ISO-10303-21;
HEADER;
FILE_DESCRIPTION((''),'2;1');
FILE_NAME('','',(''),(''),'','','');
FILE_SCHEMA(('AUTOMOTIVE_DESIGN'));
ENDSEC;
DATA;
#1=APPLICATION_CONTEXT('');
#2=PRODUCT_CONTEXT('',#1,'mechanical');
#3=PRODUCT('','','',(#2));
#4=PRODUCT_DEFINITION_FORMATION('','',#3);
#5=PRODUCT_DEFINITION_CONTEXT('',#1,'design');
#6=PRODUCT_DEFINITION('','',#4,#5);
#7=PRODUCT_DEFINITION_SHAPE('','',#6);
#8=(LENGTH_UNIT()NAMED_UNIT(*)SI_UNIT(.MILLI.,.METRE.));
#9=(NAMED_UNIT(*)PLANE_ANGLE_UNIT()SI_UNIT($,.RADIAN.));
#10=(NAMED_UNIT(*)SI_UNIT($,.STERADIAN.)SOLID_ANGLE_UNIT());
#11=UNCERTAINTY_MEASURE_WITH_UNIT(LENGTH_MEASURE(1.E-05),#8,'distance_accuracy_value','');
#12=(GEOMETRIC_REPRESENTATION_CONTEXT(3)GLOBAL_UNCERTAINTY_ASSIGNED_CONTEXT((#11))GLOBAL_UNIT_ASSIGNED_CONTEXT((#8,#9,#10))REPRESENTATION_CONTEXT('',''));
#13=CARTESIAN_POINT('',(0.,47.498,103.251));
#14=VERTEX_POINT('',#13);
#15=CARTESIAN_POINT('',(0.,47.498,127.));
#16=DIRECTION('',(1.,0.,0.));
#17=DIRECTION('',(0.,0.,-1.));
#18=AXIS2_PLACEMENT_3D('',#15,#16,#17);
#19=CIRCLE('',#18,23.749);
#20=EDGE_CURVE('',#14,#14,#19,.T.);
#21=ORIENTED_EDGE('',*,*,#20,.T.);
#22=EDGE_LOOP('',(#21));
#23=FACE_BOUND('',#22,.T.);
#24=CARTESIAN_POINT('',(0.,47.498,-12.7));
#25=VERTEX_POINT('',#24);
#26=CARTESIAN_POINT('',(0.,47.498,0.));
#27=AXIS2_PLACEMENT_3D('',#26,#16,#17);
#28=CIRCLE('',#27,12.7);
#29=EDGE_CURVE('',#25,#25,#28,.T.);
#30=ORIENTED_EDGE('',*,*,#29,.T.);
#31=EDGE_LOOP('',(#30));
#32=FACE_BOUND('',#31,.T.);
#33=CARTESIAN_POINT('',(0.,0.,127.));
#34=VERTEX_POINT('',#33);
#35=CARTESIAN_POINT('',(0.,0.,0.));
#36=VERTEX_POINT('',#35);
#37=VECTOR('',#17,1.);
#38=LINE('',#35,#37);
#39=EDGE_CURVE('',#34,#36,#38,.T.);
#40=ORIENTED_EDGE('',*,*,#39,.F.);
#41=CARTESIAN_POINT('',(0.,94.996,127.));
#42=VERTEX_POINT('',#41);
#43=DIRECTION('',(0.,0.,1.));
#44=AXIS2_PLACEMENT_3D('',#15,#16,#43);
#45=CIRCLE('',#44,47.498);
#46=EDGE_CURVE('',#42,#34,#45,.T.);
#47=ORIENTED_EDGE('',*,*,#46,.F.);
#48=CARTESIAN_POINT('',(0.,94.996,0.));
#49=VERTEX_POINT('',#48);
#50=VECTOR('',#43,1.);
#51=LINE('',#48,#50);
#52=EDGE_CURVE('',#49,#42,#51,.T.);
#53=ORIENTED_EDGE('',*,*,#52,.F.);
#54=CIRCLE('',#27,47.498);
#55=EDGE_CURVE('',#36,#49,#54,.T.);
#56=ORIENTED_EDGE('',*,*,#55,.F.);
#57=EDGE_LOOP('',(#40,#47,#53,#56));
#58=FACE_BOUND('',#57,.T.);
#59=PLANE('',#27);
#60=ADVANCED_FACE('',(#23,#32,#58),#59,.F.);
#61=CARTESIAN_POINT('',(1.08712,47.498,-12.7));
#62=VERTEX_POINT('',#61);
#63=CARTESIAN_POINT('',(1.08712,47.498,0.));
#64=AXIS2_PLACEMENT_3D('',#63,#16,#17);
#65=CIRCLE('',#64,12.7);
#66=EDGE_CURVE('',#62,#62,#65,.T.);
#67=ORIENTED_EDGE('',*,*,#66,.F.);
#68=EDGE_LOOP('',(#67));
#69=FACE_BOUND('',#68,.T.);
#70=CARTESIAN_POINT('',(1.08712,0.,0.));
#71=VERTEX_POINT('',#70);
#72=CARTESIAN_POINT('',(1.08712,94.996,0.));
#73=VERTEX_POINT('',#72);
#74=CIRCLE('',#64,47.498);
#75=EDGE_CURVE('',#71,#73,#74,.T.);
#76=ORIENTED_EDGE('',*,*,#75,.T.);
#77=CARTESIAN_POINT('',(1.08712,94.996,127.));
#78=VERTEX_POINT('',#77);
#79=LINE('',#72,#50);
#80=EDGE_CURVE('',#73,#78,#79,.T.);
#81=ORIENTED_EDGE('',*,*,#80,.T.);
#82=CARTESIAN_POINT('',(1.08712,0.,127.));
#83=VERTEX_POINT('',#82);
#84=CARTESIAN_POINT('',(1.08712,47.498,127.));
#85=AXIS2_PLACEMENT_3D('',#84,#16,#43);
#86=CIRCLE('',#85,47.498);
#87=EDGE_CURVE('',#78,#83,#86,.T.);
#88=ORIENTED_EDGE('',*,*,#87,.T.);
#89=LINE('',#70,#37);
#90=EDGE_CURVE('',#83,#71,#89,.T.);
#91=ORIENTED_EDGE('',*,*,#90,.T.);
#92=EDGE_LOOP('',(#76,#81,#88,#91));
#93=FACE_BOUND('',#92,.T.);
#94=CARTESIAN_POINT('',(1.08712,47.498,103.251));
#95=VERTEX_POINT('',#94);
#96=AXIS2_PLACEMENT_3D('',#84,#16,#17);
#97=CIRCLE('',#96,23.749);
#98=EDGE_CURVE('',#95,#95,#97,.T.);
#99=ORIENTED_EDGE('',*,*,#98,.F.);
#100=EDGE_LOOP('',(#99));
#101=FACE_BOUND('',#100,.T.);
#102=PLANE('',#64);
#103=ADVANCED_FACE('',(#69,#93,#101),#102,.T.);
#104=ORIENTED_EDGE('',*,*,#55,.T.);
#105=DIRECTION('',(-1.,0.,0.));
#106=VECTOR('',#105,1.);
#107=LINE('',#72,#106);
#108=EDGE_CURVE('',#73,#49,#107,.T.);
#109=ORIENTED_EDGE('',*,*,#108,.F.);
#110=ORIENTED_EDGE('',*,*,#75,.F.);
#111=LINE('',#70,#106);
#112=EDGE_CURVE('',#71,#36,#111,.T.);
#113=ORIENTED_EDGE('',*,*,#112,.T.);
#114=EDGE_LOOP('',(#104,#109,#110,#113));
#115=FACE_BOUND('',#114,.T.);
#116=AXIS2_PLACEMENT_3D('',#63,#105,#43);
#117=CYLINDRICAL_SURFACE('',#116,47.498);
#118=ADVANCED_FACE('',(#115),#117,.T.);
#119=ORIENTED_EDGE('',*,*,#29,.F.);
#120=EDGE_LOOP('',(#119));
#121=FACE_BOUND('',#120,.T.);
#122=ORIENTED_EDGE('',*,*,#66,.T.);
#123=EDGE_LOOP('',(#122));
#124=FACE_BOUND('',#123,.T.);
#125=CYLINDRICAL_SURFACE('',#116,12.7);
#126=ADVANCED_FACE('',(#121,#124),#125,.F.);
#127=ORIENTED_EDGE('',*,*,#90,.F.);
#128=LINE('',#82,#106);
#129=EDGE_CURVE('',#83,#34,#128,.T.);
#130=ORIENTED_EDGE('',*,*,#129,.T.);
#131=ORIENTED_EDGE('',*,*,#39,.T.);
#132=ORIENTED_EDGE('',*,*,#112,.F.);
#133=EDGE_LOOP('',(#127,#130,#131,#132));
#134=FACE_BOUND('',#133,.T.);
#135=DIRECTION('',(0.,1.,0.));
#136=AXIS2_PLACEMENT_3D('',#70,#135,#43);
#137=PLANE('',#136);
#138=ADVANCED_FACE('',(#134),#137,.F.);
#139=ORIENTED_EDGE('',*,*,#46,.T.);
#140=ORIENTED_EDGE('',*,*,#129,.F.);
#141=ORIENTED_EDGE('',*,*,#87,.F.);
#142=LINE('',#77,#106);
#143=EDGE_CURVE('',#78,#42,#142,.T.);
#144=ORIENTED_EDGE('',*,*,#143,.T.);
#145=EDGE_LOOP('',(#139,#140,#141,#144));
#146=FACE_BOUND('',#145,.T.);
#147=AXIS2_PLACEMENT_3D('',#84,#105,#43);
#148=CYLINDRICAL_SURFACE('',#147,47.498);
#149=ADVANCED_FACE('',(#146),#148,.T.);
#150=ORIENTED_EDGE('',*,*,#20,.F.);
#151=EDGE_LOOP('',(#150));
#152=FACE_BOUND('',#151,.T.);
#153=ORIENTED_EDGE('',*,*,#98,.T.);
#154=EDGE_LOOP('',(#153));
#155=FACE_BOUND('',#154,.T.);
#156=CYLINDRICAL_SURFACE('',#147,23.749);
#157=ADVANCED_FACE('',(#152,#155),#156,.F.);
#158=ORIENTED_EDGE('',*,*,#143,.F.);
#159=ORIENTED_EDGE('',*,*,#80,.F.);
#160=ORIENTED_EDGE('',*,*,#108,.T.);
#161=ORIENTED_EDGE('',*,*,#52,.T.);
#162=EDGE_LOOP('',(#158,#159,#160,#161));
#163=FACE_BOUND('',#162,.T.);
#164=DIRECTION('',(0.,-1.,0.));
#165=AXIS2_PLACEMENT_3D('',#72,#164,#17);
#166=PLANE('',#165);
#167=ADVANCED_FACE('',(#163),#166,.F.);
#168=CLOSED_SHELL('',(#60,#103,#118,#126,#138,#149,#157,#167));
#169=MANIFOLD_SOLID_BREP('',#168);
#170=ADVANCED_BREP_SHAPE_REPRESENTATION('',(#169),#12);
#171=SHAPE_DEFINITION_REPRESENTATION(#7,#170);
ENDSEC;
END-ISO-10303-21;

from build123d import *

# Parameters (mm, degrees)
SKETCH1_R           = 12.7
SKETCH1_R_2         = 23.749
BOSS_EXTRUDE2_DEPTH = 1.08712


with BuildPart() as part:
    # Sketch1 → Boss-Extrude2 (new body)
    with BuildSketch(Plane.YZ):
        with BuildLine():
            Line((0, 0), (0, 127))
            ThreePointArc((0, 127), (47.498, 174.498), (94.996, 127))
            Line((94.996, 127), (94.996, 0))
            ThreePointArc((94.996, 0), (47.498, -47.498), (0, 0))
        make_face()
        with Locations(Location((47.498, 0, 0), (0, 0, 270))):
            Circle(SKETCH1_R, mode=Mode.SUBTRACT)
        with Locations(Location((47.498, 127, 0), (0, 0, 270))):
            Circle(SKETCH1_R_2, mode=Mode.SUBTRACT)
    extrude(amount=BOSS_EXTRUDE2_DEPTH)


solid = part.part
